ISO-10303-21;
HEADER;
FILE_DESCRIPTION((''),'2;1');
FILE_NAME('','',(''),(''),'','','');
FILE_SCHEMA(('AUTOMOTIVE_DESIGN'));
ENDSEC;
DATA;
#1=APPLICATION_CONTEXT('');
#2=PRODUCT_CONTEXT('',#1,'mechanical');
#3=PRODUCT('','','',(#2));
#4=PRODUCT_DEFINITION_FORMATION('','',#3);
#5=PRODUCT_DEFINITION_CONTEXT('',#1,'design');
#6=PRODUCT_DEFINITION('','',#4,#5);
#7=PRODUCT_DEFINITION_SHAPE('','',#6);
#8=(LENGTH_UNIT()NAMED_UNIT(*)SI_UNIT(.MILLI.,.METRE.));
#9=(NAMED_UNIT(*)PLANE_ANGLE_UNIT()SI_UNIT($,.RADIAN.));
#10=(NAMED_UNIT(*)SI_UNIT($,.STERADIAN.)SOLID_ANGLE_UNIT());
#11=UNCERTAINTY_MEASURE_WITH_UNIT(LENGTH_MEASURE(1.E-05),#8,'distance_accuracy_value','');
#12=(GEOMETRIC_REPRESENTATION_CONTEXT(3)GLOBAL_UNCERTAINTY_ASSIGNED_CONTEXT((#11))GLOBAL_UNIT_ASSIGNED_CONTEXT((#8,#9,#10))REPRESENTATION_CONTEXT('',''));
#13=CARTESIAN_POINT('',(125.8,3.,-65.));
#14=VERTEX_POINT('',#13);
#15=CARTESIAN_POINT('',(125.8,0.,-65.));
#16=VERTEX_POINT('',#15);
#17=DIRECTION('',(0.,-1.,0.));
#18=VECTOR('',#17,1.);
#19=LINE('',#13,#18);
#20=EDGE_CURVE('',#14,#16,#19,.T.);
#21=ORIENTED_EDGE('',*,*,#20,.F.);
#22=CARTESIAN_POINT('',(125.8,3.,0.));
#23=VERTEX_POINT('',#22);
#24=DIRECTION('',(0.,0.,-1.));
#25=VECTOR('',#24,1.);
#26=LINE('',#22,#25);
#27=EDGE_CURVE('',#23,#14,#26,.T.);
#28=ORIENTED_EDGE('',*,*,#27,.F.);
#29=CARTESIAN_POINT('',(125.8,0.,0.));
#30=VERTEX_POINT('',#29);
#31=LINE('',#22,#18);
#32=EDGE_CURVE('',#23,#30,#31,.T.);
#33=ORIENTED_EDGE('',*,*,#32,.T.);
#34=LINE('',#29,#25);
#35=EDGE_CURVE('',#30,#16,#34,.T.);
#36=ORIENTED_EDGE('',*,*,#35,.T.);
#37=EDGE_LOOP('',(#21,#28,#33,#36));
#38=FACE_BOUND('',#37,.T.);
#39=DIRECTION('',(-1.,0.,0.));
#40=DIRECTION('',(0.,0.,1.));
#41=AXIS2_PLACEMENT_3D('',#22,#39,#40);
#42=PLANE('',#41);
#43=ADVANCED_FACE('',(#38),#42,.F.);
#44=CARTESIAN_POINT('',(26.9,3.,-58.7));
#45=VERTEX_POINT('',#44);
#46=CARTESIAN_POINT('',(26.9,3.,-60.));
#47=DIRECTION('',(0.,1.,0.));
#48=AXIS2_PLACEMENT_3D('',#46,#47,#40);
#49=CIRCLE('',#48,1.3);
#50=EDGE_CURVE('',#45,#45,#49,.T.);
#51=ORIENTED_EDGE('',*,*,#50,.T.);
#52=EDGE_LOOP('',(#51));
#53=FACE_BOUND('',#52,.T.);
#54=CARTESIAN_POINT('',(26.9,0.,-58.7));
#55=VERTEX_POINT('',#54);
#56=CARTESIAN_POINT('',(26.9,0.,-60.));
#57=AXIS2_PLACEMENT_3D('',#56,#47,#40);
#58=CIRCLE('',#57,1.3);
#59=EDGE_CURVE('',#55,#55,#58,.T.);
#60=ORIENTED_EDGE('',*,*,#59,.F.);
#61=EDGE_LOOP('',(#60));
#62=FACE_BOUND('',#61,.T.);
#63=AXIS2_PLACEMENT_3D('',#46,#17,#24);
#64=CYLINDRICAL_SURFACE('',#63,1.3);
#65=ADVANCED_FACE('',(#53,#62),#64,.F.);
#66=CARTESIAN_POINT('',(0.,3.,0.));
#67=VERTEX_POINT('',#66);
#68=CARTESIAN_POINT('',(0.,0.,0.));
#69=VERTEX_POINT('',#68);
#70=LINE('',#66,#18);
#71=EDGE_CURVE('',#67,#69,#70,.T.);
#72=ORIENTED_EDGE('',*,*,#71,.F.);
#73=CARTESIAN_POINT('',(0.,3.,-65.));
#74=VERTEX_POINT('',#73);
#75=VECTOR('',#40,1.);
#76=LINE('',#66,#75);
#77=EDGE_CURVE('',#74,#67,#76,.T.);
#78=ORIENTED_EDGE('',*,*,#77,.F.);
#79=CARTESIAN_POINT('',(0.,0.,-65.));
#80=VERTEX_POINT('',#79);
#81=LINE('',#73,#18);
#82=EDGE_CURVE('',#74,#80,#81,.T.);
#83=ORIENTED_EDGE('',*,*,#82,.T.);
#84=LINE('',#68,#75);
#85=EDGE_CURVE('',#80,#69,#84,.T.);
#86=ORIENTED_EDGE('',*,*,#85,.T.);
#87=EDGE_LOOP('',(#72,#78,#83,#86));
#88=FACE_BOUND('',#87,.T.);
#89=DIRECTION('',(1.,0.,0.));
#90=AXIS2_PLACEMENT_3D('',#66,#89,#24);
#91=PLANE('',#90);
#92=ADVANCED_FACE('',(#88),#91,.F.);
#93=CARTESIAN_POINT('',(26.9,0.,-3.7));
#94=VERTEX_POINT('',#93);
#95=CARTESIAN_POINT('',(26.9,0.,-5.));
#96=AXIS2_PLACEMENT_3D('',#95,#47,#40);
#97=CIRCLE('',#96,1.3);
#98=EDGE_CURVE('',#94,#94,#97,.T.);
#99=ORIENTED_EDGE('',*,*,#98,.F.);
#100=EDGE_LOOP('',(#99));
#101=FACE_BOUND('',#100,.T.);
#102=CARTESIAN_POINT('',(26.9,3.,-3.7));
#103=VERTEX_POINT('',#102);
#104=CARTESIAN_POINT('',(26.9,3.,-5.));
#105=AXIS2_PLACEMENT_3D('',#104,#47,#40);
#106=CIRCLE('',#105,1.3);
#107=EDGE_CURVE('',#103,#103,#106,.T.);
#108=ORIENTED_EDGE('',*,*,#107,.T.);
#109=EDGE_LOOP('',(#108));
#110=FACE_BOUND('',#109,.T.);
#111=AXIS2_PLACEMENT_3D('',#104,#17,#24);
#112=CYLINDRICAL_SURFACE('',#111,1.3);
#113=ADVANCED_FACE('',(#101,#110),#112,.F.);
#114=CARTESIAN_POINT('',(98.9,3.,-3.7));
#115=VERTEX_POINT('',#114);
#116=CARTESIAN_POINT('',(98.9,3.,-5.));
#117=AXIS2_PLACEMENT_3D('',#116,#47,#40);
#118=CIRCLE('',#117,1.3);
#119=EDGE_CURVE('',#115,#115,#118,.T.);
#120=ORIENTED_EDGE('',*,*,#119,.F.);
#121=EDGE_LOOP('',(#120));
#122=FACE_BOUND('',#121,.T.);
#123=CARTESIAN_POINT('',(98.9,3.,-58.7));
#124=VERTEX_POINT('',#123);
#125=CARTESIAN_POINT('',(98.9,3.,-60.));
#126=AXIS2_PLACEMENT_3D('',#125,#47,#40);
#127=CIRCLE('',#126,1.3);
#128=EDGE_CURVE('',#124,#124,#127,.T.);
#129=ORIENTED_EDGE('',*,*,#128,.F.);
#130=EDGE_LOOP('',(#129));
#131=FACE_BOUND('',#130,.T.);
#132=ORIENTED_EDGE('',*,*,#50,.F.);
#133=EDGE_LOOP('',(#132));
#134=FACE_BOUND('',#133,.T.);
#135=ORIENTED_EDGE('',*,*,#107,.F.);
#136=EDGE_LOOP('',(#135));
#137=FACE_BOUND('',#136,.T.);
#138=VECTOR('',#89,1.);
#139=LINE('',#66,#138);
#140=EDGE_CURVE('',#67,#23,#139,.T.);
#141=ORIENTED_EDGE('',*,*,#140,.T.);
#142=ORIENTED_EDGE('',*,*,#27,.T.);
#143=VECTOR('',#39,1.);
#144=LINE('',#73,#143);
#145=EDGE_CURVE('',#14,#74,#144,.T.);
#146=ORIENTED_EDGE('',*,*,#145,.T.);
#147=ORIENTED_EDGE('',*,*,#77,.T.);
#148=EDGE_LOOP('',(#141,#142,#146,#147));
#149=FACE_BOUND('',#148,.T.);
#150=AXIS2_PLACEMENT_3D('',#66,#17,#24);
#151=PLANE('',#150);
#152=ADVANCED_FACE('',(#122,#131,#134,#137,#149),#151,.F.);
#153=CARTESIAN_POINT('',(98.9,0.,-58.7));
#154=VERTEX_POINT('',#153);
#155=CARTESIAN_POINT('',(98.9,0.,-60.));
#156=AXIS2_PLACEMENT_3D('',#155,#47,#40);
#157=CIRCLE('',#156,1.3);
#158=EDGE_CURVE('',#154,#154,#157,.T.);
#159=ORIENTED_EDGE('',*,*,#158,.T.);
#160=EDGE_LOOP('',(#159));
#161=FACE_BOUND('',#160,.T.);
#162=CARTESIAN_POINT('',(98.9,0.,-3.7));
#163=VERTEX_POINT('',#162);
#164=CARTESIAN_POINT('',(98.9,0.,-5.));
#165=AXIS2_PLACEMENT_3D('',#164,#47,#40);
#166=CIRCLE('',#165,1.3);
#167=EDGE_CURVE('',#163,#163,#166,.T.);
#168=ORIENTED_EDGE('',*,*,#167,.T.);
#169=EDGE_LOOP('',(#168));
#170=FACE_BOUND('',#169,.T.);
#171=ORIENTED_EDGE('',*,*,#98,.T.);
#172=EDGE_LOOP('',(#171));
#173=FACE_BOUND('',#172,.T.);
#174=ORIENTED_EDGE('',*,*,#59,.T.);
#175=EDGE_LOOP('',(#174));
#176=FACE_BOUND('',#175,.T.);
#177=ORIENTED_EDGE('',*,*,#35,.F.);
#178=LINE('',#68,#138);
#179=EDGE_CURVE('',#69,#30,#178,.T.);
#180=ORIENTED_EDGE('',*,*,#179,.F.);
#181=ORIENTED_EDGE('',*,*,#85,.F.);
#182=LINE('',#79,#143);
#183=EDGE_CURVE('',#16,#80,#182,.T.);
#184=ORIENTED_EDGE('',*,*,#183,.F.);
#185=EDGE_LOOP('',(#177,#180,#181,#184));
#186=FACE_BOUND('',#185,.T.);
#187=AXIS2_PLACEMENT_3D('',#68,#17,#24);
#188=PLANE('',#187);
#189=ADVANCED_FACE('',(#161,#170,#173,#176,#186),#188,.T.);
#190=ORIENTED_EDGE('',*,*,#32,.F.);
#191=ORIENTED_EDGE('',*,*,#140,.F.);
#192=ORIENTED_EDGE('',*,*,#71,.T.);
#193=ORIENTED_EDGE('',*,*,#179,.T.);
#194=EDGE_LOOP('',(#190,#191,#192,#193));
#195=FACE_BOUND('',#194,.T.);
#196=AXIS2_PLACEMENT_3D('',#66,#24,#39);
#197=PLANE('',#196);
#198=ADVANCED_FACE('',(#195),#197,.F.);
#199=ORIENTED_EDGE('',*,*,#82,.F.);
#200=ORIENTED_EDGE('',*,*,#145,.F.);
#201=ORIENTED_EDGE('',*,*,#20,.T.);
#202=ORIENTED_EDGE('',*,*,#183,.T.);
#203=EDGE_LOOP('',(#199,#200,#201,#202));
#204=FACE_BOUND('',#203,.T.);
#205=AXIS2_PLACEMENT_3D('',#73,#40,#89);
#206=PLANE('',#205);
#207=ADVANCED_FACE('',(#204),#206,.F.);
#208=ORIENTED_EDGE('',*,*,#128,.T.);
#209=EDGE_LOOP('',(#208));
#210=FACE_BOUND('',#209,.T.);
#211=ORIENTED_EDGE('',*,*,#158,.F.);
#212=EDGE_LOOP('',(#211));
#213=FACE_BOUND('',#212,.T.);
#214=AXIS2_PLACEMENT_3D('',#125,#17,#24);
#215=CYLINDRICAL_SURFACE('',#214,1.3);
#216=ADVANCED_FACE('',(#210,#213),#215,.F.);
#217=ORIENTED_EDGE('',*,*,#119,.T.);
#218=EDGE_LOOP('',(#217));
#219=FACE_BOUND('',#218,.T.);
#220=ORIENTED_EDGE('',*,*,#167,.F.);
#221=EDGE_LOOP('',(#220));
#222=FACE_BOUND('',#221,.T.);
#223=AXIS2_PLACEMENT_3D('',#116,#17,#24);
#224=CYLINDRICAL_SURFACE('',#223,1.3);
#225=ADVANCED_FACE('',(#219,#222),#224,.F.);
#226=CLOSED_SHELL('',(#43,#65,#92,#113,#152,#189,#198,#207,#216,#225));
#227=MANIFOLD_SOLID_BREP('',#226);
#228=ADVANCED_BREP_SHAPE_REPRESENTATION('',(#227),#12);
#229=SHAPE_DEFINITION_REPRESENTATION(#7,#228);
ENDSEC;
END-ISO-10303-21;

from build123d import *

# Parameters (mm, degrees)
SKETCH_1_W      = 125.8
SKETCH_1_H      = 65
SKETCH_1_R      = 1.3
EXTRUDE_1_DEPTH = 3


with BuildPart() as part:
    # ｽｹｯﾁ1 → ﾎﾞｽ - 押し出し1 (new body)
    with BuildSketch(Plane(origin=(0, 0, 0), x_dir=(1, 0, 0), z_dir=(0, 1, 0))):
        with Locations((62.9, 32.5)):
            Rectangle(SKETCH_1_W, SKETCH_1_H)
        with Locations(Location((26.9, 60, 0), (0, 0, 270))):
            Circle(SKETCH_1_R, mode=Mode.SUBTRACT)
        with Locations(Location((98.9, 60, 0), (0, 0, 270))):
            Circle(SKETCH_1_R, mode=Mode.SUBTRACT)
        with Locations(Location((98.9, 5, 0), (0, 0, 270))):
            Circle(SKETCH_1_R, mode=Mode.SUBTRACT)
        with Locations(Location((26.9, 5, 0), (0, 0, 270))):
            Circle(SKETCH_1_R, mode=Mode.SUBTRACT)
    extrude(amount=EXTRUDE_1_DEPTH)


solid = part.part
